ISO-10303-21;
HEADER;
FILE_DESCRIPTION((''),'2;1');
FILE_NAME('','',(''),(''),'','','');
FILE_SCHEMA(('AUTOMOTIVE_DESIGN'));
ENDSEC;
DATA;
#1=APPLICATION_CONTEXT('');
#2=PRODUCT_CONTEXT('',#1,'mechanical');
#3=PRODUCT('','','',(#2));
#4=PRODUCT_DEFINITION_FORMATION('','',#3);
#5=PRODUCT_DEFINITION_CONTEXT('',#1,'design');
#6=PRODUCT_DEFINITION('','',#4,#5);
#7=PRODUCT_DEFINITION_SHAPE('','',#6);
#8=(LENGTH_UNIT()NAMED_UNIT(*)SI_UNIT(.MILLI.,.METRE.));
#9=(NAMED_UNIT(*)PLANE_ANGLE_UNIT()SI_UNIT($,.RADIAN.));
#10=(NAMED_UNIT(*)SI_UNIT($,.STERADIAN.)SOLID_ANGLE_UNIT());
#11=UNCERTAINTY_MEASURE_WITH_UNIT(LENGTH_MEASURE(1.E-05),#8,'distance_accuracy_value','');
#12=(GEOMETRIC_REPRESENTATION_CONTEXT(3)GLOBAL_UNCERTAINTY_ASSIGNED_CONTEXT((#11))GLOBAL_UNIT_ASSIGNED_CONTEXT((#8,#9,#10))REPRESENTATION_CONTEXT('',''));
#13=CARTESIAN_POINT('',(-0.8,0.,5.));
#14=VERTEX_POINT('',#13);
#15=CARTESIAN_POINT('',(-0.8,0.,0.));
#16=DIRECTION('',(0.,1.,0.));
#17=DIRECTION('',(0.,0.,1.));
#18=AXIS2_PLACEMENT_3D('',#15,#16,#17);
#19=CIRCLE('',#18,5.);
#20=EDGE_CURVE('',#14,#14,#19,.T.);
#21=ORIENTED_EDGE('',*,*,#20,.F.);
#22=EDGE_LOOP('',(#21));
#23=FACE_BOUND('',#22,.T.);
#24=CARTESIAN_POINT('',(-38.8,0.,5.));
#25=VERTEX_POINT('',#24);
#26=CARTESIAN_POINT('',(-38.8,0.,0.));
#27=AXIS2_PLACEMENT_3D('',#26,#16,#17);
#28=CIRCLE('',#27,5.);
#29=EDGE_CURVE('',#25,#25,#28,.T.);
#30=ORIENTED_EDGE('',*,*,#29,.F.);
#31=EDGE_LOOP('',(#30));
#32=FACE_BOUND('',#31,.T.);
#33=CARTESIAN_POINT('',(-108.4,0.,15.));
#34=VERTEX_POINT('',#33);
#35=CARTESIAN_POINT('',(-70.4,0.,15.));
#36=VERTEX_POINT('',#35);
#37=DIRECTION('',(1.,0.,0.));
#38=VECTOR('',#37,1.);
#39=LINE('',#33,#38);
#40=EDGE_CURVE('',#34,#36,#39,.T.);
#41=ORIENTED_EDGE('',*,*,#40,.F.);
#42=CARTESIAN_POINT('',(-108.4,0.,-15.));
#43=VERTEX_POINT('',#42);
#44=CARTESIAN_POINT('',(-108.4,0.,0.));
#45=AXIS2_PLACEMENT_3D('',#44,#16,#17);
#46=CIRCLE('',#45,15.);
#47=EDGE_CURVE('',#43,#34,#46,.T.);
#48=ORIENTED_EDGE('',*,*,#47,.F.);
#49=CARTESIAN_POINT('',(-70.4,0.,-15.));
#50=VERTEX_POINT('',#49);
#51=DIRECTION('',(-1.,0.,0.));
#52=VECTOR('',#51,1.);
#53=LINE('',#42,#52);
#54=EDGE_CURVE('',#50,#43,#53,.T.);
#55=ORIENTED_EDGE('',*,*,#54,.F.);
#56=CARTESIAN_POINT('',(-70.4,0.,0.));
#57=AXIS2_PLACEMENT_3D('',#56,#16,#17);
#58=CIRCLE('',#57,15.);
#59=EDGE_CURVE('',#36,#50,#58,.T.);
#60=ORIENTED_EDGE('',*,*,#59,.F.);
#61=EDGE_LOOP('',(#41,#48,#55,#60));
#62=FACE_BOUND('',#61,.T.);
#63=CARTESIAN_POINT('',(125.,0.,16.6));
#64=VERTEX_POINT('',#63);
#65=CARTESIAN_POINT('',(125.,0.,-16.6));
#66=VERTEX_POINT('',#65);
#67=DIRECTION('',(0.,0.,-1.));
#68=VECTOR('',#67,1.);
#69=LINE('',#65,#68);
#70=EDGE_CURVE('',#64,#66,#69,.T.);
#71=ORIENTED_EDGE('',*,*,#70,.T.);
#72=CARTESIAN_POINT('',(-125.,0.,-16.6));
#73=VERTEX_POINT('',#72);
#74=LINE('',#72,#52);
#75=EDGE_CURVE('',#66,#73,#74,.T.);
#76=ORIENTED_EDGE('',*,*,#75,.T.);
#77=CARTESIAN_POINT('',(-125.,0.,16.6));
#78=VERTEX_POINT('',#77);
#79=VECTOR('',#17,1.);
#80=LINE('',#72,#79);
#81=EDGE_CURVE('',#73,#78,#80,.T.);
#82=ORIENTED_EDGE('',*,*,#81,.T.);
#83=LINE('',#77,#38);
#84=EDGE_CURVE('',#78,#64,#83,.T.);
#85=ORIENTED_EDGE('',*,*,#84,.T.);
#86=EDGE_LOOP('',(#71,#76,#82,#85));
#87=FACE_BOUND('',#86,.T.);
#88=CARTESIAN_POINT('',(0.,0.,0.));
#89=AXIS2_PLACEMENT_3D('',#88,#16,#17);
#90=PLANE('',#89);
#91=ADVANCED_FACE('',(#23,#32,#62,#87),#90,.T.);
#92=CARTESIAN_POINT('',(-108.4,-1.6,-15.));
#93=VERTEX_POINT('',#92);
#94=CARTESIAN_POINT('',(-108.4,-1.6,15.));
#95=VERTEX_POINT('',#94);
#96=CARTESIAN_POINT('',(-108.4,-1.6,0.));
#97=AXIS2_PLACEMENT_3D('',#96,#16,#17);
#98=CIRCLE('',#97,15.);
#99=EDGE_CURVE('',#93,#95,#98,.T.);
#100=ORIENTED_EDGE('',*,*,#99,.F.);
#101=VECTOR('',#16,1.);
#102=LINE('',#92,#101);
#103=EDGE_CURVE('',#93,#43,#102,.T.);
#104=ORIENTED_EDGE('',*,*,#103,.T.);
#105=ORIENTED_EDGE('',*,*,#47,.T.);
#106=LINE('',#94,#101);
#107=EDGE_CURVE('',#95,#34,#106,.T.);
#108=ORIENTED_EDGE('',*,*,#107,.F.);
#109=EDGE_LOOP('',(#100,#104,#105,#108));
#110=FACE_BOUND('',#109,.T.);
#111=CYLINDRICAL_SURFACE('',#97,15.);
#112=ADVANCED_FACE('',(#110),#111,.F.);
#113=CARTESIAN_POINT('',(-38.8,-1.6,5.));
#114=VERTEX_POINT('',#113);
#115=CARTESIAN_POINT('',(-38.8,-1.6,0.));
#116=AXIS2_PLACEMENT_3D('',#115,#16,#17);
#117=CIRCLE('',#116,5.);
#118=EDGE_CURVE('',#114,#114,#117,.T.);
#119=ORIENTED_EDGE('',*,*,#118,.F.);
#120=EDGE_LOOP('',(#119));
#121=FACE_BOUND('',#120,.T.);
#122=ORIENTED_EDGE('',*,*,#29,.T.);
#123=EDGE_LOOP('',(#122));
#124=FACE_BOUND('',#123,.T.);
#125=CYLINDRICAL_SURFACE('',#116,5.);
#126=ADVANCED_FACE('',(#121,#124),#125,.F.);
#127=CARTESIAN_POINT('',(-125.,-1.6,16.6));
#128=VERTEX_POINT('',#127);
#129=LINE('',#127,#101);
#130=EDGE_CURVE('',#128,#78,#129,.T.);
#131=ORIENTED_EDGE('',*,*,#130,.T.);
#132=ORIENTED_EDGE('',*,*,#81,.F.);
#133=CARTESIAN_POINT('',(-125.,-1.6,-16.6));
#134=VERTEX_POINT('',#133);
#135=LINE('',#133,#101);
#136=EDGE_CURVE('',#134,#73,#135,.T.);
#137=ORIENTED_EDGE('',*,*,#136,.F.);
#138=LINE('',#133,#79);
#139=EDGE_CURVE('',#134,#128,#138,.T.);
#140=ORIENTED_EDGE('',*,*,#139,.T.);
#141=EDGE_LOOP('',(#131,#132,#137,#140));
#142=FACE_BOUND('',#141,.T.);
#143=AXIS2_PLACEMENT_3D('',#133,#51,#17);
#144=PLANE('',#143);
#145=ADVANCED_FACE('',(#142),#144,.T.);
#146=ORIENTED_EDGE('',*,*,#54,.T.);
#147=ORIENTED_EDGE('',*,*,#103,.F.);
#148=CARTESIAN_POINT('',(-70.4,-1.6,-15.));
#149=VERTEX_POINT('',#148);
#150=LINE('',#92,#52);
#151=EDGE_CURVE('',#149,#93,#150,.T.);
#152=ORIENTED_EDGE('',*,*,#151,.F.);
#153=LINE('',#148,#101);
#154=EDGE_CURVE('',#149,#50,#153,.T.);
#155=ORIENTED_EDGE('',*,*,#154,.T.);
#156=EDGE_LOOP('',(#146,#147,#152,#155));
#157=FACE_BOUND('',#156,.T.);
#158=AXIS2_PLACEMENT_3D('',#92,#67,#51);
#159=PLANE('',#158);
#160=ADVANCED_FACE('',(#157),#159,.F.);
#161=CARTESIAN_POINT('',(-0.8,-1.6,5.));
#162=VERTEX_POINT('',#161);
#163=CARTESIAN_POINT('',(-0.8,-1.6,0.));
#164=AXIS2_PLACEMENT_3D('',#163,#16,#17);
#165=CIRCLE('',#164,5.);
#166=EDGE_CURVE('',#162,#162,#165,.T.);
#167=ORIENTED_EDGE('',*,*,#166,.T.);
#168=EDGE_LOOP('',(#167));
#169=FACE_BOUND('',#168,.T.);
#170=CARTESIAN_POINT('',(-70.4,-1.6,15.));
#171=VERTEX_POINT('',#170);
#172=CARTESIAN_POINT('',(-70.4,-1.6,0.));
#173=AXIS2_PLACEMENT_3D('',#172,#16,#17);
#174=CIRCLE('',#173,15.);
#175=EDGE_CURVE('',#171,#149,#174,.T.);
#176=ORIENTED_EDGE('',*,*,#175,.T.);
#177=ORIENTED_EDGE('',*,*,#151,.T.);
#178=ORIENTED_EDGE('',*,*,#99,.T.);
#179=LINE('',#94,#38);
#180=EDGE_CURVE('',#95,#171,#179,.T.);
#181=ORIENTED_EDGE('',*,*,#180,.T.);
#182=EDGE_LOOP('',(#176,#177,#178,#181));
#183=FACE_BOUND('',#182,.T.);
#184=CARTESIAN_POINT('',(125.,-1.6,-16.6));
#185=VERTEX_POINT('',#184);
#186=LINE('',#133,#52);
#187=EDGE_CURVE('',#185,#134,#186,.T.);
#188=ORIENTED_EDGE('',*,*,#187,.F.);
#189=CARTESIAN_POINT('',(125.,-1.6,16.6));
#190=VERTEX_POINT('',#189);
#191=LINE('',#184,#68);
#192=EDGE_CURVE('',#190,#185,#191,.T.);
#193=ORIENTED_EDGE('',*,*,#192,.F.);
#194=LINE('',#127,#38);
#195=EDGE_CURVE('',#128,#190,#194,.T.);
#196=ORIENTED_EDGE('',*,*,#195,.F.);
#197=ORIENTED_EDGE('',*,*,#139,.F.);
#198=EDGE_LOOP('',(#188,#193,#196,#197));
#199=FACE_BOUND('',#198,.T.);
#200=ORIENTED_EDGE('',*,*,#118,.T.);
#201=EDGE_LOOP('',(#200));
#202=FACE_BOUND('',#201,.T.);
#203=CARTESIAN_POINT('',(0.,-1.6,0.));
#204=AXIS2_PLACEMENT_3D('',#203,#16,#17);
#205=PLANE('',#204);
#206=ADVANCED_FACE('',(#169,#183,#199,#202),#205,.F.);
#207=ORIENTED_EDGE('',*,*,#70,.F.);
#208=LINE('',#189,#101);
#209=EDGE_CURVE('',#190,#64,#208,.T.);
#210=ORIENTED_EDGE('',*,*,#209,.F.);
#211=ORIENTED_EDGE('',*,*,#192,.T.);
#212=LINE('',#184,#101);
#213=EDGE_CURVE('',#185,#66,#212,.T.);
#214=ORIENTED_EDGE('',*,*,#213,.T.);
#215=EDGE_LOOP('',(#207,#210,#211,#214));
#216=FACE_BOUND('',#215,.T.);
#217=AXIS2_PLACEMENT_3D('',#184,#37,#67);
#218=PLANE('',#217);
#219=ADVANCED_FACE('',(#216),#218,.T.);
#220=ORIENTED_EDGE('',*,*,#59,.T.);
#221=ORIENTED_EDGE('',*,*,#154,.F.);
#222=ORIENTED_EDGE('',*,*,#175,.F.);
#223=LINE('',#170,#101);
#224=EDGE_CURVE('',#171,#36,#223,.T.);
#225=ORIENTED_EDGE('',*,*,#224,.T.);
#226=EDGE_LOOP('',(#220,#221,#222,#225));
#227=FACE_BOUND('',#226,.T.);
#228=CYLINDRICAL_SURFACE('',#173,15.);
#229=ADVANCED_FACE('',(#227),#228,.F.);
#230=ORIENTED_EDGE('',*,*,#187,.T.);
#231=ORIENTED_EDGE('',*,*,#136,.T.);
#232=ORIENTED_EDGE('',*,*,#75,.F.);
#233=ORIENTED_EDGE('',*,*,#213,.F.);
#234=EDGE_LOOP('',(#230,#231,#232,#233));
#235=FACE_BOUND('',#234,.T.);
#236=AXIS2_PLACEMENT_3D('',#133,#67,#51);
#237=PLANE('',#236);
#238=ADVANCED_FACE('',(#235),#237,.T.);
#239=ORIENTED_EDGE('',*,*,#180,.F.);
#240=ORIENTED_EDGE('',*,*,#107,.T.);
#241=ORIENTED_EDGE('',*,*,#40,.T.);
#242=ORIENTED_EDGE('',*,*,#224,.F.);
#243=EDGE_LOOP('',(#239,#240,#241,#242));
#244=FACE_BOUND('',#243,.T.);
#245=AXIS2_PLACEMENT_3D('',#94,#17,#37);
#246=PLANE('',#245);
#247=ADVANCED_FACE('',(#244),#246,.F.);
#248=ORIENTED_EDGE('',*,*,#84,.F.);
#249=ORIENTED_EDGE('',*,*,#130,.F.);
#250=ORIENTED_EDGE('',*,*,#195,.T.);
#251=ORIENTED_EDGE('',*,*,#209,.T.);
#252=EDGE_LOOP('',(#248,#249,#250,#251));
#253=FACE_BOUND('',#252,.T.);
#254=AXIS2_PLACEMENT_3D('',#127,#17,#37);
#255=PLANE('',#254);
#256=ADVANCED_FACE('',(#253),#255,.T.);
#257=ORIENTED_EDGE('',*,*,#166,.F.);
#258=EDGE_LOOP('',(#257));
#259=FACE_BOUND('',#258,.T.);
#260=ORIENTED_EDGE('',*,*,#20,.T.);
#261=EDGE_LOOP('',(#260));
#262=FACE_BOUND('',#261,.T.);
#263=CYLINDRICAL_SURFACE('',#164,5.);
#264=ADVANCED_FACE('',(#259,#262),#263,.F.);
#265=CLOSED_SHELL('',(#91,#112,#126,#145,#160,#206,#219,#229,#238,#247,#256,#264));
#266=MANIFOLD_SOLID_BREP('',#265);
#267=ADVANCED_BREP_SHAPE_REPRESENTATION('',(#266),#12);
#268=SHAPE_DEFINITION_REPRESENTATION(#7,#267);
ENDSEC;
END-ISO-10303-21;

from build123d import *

# Parameters (mm, degrees)
SKETCH1_W           = 250
SKETCH1_H           = 33.2
BOSS_EXTRUDE1_DEPTH = 1.6
SKETCH2_R           = 5
CUT_EXTRUDE1_DEPTH  = 127.107573127


with BuildPart() as part:
    # Sketch1 → Boss-Extrude1 (new body)
    with BuildSketch(Plane(origin=(0, 0, 0), x_dir=(1, 0, 0), z_dir=(0, 1, 0))):
        Rectangle(SKETCH1_W, SKETCH1_H)
    extrude(amount=-BOSS_EXTRUDE1_DEPTH)

    # Sketch2 → Cut-Extrude1 (cut, through all)
    with BuildSketch(Plane(origin=(0, 0, 0), x_dir=(1, 0, 0), z_dir=(0, 1, 0))):
        with Locations(Location((-38.8, 0, 0), (0, 0, 270))):
            Circle(SKETCH2_R)
        with Locations(Location((-0.8, 0, 0), (0, 0, 270))):
            Circle(SKETCH2_R)
        with BuildLine():
            Line((-108.4, 15), (-70.4, 15))
            ThreePointArc((-70.4, 15), (-55.4, 0), (-70.4, -15))
            Line((-70.4, -15), (-108.4, -15))
            ThreePointArc((-108.4, -15), (-123.4, 0), (-108.4, 15))
        make_face()
    extrude(amount=-CUT_EXTRUDE1_DEPTH, mode=Mode.SUBTRACT)


solid = part.part
